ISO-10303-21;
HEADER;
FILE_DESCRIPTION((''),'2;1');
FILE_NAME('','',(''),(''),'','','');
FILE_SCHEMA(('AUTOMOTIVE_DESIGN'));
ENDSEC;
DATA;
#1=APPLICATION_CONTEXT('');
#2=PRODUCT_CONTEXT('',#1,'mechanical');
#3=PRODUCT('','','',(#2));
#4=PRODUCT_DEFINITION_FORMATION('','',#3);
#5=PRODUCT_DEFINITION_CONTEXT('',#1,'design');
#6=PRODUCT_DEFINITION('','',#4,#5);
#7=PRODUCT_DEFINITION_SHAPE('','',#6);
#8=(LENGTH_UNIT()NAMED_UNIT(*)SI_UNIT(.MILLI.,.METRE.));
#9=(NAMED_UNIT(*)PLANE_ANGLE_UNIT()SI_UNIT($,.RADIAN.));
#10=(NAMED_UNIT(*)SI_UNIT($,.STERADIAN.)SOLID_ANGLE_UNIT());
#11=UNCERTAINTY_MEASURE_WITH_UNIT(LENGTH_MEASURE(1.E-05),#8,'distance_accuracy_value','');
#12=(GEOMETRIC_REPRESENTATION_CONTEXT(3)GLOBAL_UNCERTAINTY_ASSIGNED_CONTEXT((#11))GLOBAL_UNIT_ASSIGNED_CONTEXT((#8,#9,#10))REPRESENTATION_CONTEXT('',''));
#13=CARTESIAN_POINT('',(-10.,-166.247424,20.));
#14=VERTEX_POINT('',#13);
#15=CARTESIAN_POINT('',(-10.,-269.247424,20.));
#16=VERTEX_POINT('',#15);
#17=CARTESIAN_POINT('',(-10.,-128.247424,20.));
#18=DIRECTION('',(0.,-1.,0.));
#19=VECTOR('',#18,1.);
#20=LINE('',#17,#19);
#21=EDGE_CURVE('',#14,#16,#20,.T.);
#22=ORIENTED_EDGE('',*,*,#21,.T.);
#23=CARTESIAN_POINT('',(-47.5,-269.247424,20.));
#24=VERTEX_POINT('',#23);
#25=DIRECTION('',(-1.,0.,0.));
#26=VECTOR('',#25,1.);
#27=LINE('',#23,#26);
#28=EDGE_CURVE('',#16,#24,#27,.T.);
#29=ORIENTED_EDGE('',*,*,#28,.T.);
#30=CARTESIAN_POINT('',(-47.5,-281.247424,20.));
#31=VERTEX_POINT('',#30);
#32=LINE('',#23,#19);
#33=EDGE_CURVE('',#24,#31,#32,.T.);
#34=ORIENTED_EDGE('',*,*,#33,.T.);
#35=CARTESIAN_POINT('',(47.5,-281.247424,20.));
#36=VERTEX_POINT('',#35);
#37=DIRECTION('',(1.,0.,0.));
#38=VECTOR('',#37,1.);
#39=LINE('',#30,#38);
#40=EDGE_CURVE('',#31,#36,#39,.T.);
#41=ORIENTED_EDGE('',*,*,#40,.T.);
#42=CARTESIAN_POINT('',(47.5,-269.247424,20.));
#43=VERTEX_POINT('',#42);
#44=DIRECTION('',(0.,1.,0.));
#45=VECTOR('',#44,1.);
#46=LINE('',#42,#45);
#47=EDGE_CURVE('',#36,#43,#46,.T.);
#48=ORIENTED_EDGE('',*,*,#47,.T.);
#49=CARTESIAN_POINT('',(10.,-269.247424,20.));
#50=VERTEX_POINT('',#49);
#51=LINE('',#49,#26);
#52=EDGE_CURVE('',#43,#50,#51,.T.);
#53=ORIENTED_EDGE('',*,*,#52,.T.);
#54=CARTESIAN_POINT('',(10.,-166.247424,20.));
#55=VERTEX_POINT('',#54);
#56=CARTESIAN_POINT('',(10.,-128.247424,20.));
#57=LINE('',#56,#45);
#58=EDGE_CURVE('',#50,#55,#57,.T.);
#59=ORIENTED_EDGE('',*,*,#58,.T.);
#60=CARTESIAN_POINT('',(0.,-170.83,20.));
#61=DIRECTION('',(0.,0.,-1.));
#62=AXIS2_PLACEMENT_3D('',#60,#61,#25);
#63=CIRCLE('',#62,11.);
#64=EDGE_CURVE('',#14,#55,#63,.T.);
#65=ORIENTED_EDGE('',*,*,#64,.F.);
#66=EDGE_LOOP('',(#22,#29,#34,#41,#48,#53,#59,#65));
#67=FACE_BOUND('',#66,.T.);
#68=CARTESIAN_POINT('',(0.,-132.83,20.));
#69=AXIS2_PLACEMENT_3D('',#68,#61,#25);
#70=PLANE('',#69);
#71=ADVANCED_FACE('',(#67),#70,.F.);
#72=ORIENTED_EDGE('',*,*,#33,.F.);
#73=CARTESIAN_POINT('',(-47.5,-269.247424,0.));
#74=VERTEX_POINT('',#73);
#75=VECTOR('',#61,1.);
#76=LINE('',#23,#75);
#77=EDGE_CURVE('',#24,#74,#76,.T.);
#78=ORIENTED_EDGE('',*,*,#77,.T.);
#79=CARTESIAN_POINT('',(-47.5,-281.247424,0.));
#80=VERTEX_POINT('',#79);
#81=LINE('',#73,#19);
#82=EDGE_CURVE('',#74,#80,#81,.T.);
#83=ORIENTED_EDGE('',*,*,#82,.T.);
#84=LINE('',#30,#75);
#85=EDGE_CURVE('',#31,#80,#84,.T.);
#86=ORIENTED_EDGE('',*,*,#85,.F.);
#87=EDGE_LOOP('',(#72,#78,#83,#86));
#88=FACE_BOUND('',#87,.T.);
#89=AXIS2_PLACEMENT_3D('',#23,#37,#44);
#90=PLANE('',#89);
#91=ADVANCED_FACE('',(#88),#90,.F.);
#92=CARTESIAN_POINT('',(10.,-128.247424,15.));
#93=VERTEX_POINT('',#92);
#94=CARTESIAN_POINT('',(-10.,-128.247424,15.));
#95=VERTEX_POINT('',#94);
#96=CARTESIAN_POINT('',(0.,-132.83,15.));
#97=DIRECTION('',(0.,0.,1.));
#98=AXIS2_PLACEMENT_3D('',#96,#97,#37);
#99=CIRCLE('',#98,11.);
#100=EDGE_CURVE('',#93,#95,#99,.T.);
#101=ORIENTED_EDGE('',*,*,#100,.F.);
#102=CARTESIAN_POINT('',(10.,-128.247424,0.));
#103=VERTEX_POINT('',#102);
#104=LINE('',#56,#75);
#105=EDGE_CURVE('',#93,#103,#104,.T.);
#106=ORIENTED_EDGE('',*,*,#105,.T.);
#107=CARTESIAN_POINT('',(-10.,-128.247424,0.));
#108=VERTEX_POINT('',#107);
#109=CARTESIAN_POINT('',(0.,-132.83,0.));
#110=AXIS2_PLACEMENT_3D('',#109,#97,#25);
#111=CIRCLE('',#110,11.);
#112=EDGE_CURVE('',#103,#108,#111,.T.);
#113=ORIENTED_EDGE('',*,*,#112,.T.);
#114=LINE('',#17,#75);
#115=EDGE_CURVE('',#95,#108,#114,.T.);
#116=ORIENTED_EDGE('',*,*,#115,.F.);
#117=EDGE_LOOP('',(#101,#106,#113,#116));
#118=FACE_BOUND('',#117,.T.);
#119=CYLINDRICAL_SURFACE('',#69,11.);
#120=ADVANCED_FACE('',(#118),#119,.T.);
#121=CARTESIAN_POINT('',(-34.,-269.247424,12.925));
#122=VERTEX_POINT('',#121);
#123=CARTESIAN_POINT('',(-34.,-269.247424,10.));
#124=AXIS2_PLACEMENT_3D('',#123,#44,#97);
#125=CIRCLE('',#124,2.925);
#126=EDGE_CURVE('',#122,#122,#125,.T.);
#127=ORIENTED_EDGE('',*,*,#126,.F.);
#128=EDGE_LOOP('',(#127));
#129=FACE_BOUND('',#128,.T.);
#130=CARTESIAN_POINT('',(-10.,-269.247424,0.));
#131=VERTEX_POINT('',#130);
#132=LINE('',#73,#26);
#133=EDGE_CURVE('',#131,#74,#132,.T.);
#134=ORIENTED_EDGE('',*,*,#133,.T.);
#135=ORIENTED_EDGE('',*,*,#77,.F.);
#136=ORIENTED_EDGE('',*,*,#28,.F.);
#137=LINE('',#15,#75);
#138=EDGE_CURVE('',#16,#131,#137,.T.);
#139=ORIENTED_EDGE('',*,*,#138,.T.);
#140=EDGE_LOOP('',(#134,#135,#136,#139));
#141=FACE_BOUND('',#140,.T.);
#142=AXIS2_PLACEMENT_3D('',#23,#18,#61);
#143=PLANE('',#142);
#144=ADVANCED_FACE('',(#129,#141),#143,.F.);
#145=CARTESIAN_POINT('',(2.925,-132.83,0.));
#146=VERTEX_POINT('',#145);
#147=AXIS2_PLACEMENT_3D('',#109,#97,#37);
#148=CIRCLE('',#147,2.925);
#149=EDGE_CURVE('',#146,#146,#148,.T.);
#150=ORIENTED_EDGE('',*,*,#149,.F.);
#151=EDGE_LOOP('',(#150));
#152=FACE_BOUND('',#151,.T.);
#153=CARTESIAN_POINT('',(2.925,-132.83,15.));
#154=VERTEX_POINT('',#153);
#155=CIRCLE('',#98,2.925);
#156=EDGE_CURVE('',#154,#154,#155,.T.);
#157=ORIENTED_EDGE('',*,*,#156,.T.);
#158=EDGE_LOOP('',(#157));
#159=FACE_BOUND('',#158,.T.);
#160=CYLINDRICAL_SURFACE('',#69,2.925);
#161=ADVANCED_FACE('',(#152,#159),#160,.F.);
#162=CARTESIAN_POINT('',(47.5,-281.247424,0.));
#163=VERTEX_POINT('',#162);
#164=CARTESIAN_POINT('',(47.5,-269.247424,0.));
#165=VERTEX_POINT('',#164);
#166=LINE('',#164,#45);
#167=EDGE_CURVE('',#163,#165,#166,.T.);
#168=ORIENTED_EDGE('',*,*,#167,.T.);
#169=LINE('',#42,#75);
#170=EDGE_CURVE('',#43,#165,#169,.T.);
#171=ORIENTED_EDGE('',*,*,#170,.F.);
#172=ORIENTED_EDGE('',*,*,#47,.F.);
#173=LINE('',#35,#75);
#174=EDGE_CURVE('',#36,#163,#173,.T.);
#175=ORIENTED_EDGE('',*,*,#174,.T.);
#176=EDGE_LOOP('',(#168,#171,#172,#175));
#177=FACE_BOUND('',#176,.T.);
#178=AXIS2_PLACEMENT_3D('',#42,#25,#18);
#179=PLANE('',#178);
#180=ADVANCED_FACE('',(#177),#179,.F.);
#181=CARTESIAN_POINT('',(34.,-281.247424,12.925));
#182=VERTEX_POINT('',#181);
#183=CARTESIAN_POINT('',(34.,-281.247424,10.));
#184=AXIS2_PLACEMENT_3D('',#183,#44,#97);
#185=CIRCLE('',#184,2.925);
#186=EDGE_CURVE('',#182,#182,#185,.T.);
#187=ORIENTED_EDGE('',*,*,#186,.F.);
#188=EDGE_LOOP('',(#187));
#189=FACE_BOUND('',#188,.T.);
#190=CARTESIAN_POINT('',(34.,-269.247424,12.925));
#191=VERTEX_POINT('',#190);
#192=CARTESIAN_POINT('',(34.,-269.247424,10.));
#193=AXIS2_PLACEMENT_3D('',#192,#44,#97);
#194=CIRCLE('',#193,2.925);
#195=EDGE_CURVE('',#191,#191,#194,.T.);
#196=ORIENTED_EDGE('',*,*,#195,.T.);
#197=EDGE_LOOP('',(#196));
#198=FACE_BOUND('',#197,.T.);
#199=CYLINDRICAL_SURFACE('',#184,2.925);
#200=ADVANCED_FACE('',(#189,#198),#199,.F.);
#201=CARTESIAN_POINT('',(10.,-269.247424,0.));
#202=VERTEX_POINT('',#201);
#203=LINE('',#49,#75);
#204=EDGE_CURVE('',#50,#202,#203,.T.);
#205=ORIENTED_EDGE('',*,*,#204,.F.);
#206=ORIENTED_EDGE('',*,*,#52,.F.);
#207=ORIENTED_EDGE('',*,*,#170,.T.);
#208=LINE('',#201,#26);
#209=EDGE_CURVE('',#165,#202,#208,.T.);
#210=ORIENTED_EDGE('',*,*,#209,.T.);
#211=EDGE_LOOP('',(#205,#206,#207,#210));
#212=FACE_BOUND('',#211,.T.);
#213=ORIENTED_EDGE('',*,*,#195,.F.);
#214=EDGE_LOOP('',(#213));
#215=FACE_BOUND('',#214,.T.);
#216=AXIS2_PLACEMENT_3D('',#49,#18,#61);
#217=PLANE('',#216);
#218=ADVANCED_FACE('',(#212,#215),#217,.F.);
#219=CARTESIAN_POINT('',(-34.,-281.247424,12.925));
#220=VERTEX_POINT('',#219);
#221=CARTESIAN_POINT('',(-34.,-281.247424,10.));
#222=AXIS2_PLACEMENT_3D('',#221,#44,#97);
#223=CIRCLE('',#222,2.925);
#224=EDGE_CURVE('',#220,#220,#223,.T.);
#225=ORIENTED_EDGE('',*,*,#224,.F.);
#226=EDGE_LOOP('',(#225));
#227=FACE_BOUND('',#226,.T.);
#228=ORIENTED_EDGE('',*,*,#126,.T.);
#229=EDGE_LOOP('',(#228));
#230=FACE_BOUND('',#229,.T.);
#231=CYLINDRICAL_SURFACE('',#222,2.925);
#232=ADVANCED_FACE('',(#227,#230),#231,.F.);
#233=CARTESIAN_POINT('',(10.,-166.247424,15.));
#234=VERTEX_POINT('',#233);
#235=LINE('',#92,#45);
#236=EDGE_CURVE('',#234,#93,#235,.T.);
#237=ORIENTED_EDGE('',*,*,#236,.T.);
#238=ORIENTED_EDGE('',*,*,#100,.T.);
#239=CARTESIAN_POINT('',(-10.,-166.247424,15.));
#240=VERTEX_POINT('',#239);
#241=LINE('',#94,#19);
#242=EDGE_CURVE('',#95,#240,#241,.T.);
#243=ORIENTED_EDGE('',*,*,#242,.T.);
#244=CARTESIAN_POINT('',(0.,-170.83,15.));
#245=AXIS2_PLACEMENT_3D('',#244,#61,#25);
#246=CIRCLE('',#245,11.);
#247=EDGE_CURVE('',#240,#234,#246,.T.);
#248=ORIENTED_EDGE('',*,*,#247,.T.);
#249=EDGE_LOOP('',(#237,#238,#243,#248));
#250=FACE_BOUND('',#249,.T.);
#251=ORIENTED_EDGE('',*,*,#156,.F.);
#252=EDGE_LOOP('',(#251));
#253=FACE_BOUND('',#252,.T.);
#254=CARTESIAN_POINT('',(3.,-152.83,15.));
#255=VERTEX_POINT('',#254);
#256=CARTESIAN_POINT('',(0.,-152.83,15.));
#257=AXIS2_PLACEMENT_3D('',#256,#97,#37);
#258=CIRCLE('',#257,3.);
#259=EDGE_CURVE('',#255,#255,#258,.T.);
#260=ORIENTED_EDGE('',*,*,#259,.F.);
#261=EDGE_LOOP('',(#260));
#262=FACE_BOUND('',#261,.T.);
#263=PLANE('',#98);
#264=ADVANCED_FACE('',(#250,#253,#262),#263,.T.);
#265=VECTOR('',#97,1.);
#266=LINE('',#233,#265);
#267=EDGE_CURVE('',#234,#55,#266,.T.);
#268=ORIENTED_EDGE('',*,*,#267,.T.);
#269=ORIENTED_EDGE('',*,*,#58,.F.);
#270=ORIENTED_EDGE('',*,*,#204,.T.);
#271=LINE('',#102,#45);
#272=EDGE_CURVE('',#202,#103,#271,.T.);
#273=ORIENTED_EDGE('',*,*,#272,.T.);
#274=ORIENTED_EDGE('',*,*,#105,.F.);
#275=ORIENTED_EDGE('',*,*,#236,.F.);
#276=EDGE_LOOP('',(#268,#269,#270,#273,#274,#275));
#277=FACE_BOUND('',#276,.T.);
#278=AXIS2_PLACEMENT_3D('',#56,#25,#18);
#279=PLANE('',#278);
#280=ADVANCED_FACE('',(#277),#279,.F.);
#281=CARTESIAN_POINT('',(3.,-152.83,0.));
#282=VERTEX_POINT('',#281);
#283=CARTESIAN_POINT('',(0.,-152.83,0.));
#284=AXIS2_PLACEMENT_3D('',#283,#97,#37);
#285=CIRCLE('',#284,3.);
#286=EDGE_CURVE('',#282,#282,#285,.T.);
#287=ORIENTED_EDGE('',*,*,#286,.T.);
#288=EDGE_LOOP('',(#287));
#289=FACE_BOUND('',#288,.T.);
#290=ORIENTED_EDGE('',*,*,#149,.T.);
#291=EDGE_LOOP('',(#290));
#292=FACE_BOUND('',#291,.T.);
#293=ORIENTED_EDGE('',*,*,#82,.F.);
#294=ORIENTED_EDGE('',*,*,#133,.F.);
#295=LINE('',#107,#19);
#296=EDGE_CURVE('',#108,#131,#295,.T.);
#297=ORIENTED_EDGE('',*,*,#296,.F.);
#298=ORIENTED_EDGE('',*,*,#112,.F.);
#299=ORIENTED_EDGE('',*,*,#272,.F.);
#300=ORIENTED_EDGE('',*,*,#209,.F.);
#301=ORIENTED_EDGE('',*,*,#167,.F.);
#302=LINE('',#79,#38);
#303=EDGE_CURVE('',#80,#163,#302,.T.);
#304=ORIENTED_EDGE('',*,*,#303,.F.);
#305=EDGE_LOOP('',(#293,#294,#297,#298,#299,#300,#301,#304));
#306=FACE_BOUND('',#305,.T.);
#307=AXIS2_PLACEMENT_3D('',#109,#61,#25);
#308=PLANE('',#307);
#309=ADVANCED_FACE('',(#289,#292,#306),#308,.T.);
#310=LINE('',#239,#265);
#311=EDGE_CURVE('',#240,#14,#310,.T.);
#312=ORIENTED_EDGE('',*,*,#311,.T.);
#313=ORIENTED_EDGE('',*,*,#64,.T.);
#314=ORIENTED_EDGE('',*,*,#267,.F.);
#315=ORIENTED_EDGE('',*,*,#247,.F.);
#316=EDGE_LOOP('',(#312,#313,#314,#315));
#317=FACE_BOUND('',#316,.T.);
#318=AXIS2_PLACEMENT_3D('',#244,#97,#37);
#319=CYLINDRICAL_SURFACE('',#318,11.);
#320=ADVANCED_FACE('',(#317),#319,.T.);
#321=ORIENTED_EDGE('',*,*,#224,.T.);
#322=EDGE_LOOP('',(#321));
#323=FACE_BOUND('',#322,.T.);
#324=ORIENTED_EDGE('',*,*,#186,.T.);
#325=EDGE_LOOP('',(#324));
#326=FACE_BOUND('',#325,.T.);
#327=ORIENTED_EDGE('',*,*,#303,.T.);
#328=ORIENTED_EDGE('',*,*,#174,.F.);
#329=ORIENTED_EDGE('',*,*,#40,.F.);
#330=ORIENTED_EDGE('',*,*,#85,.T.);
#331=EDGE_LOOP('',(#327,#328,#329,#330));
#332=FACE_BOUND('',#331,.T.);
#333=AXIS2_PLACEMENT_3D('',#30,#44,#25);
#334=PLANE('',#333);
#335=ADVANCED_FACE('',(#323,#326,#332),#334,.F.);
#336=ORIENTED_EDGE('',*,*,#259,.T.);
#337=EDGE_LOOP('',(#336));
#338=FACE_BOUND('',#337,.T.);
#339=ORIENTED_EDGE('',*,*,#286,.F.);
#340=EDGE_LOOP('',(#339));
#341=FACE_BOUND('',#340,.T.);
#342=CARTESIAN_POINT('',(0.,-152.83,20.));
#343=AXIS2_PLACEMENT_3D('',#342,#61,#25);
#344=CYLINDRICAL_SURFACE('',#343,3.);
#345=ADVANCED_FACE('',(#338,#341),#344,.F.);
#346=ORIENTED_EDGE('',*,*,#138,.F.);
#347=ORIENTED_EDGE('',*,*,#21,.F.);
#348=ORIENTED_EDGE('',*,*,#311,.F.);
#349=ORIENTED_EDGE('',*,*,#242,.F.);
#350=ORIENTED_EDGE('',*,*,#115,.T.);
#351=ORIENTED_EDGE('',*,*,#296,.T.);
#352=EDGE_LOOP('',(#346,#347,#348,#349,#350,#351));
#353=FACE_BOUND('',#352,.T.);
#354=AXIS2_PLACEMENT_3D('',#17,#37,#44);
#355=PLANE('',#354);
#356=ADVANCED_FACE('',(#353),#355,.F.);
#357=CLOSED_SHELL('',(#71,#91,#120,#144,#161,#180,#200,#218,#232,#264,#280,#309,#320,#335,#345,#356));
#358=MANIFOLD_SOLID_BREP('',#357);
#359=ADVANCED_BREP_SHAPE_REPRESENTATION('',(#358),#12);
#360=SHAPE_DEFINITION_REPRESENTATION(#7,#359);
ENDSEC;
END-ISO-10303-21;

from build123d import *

# Parameters (mm, degrees)
SKETCH1_R           = 3
SKETCH1_R_2         = 2.925
BOSS_EXTRUDE1_DEPTH = 20
CUT_EXTRUDE1_DEPTH  = 5
SKETCH3_R           = 2.925
CUT_EXTRUDE2_DEPTH  = 13


with BuildPart() as part:
    # Sketch1 → Boss-Extrude1 (new body)
    with BuildSketch(Plane.XY):
        with BuildLine():
            Line((-10, -128.247424305), (-10, -269.247424305))
            Line((-10, -269.247424305), (-47.5, -269.247424305))
            Line((-47.5, -269.247424305), (-47.5, -281.247424305))
            Line((-47.5, -281.247424305), (47.5, -281.247424305))
            Line((47.5, -281.247424305), (47.5, -269.247424305))
            Line((47.5, -269.247424305), (10, -269.247424305))
            Line((10, -269.247424305), (10, -128.247424305))
            ThreePointArc((10, -128.247424305), (0, -121.83), (-10, -128.247424305))
        make_face()
        with Locations((0, -152.83)):
            Circle(SKETCH1_R, mode=Mode.SUBTRACT)
        with Locations((0, -132.83)):
            Circle(SKETCH1_R_2, mode=Mode.SUBTRACT)
    extrude(amount=BOSS_EXTRUDE1_DEPTH)

    # Sketch2 → Cut-Extrude1 (cut)
    with BuildSketch(Plane.XY.offset(20)):
        with BuildLine():
            Line((-10, -128.247424305), (-10, -166.247424305))
            ThreePointArc((-10, -166.247424305), (0, -159.83), (10, -166.247424305))
            Line((10, -166.247424305), (10, -128.247424305))
            ThreePointArc((10, -128.247424305), (0, -121.83), (-10, -128.247424305))
        make_face()
    extrude(amount=-CUT_EXTRUDE1_DEPTH, mode=Mode.SUBTRACT)

    # Sketch3 → Cut-Extrude2 (cut, through all)
    with BuildSketch(Plane(origin=(0, -269.247424305, 0), x_dir=(1, 0, 0), z_dir=(0, 1, 0))):
        with Locations((-34, -10)):
            Circle(SKETCH3_R)
        with Locations((34, -10)):
            Circle(SKETCH3_R)
    extrude(amount=-CUT_EXTRUDE2_DEPTH, mode=Mode.SUBTRACT)


solid = part.part
